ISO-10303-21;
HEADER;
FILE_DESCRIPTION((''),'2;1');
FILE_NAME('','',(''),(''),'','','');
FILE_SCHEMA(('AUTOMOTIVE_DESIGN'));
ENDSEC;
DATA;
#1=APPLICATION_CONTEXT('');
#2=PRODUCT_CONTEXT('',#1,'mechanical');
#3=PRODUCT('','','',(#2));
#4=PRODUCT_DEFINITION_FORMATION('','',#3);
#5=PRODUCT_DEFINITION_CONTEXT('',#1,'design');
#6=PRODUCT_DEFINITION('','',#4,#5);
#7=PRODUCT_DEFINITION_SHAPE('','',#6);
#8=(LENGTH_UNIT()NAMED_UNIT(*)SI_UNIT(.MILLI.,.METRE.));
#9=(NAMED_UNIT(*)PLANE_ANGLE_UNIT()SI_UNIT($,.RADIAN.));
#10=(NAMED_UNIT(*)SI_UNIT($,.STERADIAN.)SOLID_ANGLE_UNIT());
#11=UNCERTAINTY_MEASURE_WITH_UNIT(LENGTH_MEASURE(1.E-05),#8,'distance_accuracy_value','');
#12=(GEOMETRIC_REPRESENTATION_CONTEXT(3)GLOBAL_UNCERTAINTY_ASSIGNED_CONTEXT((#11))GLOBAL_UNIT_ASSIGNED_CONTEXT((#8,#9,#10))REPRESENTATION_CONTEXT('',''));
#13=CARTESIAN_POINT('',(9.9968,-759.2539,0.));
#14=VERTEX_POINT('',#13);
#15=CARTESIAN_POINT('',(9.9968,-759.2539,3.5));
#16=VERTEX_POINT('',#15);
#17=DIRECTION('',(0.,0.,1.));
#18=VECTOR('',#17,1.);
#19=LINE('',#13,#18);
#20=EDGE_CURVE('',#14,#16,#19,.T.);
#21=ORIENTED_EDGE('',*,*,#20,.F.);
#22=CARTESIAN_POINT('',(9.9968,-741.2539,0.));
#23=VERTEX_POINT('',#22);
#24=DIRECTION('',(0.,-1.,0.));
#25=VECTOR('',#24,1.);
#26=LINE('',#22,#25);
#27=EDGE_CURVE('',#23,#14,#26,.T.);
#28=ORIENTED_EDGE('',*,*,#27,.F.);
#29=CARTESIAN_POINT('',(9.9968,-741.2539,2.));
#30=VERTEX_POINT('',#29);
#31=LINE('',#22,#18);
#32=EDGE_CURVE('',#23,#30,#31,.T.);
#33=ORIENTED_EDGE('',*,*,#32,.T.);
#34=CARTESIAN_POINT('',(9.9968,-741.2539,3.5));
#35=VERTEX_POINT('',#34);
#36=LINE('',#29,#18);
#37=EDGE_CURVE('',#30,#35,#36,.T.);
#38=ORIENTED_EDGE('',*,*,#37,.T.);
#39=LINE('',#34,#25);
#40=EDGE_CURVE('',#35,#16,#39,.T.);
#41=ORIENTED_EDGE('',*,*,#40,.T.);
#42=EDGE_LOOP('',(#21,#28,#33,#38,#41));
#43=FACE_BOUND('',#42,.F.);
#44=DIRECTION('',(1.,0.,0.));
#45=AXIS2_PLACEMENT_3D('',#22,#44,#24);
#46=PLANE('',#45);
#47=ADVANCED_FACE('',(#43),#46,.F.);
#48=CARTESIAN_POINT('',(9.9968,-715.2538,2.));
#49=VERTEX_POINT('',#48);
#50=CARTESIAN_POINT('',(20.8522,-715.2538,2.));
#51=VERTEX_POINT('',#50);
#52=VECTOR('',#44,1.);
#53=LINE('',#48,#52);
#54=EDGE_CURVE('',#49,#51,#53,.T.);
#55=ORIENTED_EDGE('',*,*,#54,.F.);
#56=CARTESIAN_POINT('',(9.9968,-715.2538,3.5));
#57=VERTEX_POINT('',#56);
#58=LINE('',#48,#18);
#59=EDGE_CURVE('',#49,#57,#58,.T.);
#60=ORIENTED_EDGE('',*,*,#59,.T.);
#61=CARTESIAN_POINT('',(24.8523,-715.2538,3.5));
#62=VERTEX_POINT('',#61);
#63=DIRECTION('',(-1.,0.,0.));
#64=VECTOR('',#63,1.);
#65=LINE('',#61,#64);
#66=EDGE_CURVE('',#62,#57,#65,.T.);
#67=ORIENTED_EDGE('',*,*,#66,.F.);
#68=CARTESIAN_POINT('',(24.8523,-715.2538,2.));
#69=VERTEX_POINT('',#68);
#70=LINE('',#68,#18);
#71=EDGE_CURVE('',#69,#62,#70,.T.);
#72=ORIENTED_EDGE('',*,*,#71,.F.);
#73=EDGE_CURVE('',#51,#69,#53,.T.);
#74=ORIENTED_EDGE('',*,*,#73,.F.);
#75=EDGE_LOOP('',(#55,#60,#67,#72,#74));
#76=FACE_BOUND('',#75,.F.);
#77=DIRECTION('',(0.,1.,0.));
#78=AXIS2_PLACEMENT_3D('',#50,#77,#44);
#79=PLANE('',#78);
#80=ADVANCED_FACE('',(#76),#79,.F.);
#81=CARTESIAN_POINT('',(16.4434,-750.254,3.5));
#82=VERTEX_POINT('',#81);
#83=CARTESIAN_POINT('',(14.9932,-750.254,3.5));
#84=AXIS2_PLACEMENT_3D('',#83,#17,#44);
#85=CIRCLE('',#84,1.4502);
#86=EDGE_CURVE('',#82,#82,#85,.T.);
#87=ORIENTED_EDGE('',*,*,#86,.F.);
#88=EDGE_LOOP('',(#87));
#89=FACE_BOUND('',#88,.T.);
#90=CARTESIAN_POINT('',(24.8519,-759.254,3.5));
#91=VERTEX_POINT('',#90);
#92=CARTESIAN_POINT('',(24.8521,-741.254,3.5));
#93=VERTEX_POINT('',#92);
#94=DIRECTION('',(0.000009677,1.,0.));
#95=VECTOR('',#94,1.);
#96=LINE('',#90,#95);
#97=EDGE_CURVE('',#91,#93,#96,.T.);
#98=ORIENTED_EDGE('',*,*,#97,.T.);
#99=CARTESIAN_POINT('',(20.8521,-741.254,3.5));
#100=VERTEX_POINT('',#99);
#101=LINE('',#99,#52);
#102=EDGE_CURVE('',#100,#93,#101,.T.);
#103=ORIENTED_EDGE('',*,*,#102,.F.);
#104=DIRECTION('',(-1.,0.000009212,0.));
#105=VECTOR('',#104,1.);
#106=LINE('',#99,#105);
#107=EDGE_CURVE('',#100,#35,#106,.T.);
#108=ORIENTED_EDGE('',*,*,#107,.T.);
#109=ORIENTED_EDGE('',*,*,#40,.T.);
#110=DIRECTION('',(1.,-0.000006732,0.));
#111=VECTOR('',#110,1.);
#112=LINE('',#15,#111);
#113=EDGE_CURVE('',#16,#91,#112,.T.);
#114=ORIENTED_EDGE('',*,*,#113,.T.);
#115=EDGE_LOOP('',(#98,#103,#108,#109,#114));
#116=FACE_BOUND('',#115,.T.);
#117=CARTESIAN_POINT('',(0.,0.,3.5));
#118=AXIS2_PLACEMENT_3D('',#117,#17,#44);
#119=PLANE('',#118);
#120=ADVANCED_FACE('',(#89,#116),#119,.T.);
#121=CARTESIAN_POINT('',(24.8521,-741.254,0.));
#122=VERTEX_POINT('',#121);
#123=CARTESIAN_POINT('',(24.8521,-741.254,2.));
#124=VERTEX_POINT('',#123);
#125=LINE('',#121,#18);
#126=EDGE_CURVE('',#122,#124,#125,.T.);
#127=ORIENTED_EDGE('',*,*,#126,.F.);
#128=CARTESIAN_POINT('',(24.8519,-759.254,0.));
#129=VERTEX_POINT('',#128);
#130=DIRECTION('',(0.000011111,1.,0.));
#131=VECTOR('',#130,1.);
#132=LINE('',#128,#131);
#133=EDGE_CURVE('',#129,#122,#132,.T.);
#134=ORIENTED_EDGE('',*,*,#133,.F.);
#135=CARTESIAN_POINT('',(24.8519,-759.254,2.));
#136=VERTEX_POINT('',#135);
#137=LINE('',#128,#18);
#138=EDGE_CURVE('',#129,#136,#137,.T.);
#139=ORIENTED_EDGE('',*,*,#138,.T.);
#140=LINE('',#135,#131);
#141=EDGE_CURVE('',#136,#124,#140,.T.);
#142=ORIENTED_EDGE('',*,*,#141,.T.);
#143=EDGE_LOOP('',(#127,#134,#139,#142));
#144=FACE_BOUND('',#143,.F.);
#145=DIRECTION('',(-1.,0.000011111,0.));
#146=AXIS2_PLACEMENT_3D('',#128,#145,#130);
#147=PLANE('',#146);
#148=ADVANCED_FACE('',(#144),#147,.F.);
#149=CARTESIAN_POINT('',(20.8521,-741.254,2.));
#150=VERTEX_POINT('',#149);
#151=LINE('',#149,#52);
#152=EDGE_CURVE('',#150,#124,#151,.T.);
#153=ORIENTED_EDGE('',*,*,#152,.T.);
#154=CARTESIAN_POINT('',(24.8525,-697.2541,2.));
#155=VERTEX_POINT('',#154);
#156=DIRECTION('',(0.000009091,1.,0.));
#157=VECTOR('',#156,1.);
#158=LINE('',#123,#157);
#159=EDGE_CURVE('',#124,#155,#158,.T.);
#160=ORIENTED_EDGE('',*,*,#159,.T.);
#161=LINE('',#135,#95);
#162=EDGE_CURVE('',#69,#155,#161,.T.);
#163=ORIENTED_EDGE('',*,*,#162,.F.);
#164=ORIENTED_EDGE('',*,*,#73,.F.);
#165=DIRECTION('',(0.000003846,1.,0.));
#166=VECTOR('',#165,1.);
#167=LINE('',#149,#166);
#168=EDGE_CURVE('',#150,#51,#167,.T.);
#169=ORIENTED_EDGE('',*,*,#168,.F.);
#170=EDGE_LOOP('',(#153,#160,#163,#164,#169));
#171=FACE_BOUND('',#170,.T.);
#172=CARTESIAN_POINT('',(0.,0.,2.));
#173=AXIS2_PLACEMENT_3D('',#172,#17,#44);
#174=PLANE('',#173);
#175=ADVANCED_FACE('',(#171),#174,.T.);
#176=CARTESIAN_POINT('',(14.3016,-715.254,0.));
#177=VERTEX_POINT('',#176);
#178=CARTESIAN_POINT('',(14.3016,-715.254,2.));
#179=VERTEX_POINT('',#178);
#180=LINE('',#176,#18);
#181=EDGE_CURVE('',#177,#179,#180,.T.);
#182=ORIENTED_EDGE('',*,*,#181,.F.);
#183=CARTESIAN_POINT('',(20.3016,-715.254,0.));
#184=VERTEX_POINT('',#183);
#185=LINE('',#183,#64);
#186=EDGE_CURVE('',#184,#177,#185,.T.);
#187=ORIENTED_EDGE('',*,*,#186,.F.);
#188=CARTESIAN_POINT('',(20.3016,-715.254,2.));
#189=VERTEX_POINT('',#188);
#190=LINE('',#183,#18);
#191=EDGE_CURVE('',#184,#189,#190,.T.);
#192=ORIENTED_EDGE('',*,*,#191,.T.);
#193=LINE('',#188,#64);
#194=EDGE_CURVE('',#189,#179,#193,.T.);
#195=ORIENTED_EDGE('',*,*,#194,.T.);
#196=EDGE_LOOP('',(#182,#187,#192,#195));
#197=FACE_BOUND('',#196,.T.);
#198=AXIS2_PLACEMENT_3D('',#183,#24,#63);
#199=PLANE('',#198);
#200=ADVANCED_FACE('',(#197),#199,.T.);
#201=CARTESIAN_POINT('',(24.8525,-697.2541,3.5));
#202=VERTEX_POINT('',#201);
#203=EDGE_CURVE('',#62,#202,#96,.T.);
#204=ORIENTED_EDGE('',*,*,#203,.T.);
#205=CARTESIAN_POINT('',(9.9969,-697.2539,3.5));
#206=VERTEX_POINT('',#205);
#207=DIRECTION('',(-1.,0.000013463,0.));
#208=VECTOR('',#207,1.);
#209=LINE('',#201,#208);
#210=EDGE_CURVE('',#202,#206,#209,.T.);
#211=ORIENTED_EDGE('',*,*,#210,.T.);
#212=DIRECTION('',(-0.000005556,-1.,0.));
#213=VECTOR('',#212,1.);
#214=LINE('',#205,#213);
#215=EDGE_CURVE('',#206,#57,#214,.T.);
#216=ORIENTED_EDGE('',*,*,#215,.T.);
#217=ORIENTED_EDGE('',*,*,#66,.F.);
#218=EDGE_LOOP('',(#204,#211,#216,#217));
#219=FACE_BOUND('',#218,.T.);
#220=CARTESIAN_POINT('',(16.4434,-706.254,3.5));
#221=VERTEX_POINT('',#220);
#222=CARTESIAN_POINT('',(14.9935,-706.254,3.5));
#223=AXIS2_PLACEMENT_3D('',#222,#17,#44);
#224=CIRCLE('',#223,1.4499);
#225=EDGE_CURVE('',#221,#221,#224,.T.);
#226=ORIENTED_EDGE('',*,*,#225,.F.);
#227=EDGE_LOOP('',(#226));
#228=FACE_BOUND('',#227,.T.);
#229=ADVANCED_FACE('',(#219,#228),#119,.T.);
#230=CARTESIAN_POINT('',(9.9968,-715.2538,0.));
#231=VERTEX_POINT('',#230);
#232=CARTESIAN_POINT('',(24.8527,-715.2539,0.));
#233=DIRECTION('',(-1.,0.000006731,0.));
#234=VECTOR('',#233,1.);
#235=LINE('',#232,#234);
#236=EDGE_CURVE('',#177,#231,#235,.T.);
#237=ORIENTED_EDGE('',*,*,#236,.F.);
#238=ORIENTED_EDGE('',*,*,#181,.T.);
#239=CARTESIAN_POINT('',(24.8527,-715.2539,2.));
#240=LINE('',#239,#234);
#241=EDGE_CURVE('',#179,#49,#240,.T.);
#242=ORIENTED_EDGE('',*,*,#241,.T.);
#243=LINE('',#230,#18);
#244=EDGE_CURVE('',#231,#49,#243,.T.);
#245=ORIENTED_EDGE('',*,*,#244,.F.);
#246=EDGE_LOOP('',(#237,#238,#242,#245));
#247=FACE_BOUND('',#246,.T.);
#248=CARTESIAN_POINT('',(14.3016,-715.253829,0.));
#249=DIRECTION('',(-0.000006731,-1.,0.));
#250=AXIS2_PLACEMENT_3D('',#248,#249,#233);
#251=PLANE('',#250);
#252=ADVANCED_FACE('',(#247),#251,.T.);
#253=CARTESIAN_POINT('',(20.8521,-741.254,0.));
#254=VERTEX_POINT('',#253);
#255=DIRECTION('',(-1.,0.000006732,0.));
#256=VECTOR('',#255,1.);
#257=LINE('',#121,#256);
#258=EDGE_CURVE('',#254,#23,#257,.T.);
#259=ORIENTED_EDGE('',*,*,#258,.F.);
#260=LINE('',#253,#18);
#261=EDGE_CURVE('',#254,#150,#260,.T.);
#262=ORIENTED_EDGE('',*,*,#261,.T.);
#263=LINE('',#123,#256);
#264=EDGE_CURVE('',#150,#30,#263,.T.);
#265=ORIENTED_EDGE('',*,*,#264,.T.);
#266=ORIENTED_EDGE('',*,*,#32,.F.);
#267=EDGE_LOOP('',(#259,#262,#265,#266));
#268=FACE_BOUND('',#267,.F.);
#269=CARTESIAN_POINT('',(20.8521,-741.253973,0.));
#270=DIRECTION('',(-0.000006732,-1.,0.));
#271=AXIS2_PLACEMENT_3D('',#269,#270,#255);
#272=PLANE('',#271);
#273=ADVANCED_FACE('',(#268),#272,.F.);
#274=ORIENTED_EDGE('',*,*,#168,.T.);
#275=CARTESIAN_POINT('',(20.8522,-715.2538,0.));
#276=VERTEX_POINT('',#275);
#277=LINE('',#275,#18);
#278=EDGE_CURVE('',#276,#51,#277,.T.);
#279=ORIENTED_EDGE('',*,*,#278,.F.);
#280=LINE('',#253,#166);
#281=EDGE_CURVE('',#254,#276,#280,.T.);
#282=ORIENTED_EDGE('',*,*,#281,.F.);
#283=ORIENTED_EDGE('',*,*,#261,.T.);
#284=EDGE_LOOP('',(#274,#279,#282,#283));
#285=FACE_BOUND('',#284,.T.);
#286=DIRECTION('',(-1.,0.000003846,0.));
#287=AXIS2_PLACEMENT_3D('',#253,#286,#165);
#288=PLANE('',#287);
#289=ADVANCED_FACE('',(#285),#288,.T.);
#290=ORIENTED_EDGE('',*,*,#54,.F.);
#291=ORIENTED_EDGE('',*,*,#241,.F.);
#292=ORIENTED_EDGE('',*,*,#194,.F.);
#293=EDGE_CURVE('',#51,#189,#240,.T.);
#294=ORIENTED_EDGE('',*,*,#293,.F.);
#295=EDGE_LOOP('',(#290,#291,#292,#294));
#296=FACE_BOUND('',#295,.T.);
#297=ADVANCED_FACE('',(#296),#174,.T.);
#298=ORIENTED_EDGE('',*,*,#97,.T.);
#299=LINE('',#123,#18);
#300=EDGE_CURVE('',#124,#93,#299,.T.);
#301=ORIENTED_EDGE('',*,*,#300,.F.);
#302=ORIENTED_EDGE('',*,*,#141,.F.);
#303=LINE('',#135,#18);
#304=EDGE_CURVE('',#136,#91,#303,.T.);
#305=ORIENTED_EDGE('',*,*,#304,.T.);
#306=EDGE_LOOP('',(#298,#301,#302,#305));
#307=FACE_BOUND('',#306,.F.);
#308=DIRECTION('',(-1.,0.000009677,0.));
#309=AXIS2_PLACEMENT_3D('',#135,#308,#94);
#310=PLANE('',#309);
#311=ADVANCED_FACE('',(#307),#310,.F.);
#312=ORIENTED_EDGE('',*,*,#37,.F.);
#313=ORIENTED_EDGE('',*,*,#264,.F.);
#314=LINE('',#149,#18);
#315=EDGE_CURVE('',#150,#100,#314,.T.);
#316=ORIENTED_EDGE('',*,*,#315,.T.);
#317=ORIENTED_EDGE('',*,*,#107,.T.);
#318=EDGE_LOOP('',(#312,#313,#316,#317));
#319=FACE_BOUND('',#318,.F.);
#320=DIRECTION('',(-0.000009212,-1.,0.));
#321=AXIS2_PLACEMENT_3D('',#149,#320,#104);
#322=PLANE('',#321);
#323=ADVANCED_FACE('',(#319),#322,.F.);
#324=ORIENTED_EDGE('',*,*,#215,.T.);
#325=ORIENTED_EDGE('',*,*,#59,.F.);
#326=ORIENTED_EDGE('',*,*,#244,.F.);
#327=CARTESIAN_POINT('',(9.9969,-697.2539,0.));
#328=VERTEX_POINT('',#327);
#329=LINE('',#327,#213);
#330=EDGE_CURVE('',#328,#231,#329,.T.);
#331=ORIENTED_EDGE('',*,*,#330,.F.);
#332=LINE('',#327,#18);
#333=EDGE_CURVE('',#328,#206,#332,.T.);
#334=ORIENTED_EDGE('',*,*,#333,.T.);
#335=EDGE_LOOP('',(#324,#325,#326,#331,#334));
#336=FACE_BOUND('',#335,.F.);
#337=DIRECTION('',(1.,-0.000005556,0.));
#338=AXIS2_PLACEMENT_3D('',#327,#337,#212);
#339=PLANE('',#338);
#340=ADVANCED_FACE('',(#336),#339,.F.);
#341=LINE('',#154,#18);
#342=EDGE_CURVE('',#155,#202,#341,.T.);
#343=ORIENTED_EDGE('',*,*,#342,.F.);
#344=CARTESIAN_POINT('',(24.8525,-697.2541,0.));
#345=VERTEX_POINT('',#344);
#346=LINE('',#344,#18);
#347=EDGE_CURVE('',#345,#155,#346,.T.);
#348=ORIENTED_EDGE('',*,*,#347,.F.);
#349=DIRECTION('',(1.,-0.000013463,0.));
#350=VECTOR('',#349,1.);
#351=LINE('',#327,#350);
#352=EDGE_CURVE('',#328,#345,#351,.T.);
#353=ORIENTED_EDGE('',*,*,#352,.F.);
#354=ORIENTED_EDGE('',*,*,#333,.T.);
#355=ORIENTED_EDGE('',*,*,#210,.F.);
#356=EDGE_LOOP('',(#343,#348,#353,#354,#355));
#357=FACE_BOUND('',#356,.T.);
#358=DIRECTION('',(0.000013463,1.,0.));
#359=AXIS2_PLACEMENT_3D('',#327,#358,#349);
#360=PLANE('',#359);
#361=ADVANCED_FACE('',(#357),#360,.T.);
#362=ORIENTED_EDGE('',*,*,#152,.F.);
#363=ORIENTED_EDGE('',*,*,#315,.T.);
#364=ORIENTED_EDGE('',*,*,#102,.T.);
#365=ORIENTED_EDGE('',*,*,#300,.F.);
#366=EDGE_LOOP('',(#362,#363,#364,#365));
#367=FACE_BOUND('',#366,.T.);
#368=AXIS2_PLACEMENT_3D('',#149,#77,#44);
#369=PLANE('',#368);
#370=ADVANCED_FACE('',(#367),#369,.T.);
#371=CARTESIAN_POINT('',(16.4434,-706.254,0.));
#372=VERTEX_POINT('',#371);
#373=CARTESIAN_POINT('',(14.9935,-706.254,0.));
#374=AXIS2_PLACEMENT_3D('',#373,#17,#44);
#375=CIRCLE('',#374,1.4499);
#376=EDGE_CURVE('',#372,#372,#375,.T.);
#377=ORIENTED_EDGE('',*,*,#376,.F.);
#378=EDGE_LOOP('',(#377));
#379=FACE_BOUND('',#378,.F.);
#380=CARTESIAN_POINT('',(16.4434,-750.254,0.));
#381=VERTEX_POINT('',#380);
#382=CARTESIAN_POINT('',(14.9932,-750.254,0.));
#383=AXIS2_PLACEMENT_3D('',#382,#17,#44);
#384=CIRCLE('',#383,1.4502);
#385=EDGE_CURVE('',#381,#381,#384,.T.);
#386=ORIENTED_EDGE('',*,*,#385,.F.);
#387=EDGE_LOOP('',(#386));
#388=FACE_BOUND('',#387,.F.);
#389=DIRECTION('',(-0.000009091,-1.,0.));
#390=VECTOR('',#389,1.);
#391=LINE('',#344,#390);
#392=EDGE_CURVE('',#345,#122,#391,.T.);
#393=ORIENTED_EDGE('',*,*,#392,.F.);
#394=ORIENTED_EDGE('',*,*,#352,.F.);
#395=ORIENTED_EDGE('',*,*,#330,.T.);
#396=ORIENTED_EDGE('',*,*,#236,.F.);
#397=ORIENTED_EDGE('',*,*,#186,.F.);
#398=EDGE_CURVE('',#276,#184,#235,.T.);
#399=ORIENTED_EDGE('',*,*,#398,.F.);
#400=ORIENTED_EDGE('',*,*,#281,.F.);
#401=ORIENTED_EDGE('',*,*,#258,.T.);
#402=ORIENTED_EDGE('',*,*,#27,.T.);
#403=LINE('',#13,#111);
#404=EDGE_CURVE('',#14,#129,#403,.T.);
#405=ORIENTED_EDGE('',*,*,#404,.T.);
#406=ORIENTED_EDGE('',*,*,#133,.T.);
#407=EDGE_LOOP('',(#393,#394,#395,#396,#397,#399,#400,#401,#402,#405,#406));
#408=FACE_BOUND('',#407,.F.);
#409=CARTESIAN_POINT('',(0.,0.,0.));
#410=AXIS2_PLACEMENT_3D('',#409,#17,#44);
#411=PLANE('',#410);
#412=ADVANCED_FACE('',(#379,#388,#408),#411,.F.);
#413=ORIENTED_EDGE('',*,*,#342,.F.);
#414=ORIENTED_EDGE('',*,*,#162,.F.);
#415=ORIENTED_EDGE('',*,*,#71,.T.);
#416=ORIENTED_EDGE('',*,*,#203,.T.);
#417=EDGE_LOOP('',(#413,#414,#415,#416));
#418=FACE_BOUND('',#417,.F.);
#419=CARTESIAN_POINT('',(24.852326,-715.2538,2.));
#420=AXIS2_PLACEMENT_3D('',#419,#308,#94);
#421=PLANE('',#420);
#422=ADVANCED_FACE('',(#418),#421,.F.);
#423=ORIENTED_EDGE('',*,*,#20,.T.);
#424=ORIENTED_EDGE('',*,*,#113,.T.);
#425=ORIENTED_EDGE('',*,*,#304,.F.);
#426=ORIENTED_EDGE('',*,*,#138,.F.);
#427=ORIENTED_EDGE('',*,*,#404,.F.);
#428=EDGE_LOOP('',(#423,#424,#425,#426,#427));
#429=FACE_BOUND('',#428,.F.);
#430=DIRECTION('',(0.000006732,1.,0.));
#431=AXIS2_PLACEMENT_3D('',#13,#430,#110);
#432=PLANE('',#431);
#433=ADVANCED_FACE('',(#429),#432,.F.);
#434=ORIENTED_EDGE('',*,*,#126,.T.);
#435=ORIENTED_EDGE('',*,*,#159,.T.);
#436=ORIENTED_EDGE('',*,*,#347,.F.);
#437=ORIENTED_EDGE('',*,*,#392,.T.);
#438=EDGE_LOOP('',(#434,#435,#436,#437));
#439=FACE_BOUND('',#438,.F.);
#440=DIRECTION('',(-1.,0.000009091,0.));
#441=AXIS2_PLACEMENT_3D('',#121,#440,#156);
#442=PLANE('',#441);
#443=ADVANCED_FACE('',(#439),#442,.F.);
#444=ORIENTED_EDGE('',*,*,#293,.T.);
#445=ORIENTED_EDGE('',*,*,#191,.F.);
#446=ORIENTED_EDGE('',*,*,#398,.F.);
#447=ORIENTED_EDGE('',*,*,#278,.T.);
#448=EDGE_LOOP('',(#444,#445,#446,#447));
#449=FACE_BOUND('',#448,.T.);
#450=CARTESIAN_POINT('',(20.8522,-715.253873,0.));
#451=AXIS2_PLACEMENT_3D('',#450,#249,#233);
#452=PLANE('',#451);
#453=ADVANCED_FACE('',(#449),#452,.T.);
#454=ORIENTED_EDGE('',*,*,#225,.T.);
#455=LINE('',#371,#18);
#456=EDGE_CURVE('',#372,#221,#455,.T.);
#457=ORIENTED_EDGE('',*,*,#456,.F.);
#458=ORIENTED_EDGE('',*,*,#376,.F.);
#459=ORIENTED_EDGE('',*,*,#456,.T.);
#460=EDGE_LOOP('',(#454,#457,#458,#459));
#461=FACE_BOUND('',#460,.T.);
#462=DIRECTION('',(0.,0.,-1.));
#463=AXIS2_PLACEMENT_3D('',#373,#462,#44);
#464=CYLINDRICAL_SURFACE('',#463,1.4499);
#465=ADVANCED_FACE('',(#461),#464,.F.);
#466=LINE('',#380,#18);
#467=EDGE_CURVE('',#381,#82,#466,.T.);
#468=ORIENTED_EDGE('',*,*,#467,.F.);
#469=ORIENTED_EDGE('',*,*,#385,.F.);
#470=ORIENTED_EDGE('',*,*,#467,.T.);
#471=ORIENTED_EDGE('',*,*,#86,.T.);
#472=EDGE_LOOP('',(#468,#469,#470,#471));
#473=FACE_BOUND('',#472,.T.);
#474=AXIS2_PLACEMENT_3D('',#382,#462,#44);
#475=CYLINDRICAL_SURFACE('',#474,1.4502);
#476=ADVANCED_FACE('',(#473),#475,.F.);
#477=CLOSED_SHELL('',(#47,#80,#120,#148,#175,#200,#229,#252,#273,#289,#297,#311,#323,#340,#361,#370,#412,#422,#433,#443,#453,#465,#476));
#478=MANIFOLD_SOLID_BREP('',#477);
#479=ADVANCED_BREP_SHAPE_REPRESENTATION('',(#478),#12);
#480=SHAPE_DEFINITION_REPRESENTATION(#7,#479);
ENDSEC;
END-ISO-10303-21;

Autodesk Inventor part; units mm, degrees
ref_plane "YZ Plane" through (0, 0, 0) normal (1, 0, 0) x (0, 1, 0)
ref_plane "XZ Plane" through (0, 0, 0) normal (0, 1, 0) x (-1, 0, 0)
ref_plane "XY Plane" through (0, 0, 0) normal (0, 0, 1) x (1, 0, 0)
sketch "Sketch1" plane through (0, 0, 0) normal (0, 0, 1) x (1, 0, 0)
  circle A0 centre (14.9935, -706.254) radius 1.4499
  circle A1 centre (14.9932, -750.254) radius 1.4502
  line L0 (24.8521, -741.254) -> (24.8525, -697.2541) projected
  line L1 (24.8519, -759.254) -> (24.8521, -741.254) projected
  line L2 (20.3016, -715.254) -> (14.3016, -715.254) projected
  line L3 (9.9969, -697.2539) -> (24.8525, -697.2541)
  line L4 (24.8525, -697.2541) -> (24.8527, -715.2539)
  line L5 (24.8527, -715.2539) -> (24.8527, -715.2539)
  line L6 (24.8521, -741.254) -> (9.9968, -741.2539)
  line L7 (9.9968, -741.2539) -> (9.9968, -759.2539)
  line L8 (9.9968, -759.2539) -> (24.8519, -759.254)
  line L9 (24.8519, -759.254) -> (24.8521, -741.254)
  line L10 (24.8527, -715.2539) -> (9.9968, -715.2538)
  line L11 (9.9969, -697.2539) -> (9.9968, -715.2538)
  line L12 (24.8527, -715.2539) -> (24.8521, -741.254)
  line L13 (24.8521, -741.254) -> (20.8521, -741.254)
  line L14 (20.8521, -741.254) -> (20.8522, -715.2538)
  point P0 (0, 0)
  point P1 (24.8523, -715.2539)
extrude "Extrusion1" add sketch "Sketch1" along normal blind 2
sketch "Sketch3" plane through (0, 0, 2) normal (0, 0, 1) x (1, 0, 0)
  line L0 (9.9968, -715.2538) -> (20.8522, -715.2538) projected
  line L1 (20.8522, -715.2538) -> (20.8521, -741.254) projected
  line L2 (20.8521, -741.254) -> (9.9968, -741.2539) projected
  line L3 (9.9968, -741.2539) -> (9.9968, -759.2539) projected
  line L4 (9.9968, -759.2539) -> (24.8519, -759.254) projected
  line L5 (24.8519, -759.254) -> (24.8525, -697.2541) projected
  line L6 (24.8525, -697.2541) -> (9.9969, -697.2539) projected
  line L7 (9.9969, -697.2539) -> (9.9968, -715.2538) projected
  circle A0 centre (14.9935, -706.254) radius 1.4499 projected
  circle A1 centre (14.9932, -750.254) radius 1.4502 projected
  line L8 (9.9968, -715.2538) -> (20.8522, -715.2538) projected
  line L9 (20.8522, -715.2538) -> (24.8523, -715.2538)
  line L10 (24.8519, -759.254) -> (24.8525, -697.2541) projected
  line L11 (20.8522, -715.2538) -> (20.8521, -741.254) projected
  line L12 (20.8521, -741.254) -> (24.8521, -741.254)
  point P0 (0, 0)
extrude "Extrusion3" add sketch "Sketch3" along normal blind 1.5 contours L7 L6 L5 L9 L0 | L12 L5 L4 L3 L2
properties part number "imu_cable_holder"
